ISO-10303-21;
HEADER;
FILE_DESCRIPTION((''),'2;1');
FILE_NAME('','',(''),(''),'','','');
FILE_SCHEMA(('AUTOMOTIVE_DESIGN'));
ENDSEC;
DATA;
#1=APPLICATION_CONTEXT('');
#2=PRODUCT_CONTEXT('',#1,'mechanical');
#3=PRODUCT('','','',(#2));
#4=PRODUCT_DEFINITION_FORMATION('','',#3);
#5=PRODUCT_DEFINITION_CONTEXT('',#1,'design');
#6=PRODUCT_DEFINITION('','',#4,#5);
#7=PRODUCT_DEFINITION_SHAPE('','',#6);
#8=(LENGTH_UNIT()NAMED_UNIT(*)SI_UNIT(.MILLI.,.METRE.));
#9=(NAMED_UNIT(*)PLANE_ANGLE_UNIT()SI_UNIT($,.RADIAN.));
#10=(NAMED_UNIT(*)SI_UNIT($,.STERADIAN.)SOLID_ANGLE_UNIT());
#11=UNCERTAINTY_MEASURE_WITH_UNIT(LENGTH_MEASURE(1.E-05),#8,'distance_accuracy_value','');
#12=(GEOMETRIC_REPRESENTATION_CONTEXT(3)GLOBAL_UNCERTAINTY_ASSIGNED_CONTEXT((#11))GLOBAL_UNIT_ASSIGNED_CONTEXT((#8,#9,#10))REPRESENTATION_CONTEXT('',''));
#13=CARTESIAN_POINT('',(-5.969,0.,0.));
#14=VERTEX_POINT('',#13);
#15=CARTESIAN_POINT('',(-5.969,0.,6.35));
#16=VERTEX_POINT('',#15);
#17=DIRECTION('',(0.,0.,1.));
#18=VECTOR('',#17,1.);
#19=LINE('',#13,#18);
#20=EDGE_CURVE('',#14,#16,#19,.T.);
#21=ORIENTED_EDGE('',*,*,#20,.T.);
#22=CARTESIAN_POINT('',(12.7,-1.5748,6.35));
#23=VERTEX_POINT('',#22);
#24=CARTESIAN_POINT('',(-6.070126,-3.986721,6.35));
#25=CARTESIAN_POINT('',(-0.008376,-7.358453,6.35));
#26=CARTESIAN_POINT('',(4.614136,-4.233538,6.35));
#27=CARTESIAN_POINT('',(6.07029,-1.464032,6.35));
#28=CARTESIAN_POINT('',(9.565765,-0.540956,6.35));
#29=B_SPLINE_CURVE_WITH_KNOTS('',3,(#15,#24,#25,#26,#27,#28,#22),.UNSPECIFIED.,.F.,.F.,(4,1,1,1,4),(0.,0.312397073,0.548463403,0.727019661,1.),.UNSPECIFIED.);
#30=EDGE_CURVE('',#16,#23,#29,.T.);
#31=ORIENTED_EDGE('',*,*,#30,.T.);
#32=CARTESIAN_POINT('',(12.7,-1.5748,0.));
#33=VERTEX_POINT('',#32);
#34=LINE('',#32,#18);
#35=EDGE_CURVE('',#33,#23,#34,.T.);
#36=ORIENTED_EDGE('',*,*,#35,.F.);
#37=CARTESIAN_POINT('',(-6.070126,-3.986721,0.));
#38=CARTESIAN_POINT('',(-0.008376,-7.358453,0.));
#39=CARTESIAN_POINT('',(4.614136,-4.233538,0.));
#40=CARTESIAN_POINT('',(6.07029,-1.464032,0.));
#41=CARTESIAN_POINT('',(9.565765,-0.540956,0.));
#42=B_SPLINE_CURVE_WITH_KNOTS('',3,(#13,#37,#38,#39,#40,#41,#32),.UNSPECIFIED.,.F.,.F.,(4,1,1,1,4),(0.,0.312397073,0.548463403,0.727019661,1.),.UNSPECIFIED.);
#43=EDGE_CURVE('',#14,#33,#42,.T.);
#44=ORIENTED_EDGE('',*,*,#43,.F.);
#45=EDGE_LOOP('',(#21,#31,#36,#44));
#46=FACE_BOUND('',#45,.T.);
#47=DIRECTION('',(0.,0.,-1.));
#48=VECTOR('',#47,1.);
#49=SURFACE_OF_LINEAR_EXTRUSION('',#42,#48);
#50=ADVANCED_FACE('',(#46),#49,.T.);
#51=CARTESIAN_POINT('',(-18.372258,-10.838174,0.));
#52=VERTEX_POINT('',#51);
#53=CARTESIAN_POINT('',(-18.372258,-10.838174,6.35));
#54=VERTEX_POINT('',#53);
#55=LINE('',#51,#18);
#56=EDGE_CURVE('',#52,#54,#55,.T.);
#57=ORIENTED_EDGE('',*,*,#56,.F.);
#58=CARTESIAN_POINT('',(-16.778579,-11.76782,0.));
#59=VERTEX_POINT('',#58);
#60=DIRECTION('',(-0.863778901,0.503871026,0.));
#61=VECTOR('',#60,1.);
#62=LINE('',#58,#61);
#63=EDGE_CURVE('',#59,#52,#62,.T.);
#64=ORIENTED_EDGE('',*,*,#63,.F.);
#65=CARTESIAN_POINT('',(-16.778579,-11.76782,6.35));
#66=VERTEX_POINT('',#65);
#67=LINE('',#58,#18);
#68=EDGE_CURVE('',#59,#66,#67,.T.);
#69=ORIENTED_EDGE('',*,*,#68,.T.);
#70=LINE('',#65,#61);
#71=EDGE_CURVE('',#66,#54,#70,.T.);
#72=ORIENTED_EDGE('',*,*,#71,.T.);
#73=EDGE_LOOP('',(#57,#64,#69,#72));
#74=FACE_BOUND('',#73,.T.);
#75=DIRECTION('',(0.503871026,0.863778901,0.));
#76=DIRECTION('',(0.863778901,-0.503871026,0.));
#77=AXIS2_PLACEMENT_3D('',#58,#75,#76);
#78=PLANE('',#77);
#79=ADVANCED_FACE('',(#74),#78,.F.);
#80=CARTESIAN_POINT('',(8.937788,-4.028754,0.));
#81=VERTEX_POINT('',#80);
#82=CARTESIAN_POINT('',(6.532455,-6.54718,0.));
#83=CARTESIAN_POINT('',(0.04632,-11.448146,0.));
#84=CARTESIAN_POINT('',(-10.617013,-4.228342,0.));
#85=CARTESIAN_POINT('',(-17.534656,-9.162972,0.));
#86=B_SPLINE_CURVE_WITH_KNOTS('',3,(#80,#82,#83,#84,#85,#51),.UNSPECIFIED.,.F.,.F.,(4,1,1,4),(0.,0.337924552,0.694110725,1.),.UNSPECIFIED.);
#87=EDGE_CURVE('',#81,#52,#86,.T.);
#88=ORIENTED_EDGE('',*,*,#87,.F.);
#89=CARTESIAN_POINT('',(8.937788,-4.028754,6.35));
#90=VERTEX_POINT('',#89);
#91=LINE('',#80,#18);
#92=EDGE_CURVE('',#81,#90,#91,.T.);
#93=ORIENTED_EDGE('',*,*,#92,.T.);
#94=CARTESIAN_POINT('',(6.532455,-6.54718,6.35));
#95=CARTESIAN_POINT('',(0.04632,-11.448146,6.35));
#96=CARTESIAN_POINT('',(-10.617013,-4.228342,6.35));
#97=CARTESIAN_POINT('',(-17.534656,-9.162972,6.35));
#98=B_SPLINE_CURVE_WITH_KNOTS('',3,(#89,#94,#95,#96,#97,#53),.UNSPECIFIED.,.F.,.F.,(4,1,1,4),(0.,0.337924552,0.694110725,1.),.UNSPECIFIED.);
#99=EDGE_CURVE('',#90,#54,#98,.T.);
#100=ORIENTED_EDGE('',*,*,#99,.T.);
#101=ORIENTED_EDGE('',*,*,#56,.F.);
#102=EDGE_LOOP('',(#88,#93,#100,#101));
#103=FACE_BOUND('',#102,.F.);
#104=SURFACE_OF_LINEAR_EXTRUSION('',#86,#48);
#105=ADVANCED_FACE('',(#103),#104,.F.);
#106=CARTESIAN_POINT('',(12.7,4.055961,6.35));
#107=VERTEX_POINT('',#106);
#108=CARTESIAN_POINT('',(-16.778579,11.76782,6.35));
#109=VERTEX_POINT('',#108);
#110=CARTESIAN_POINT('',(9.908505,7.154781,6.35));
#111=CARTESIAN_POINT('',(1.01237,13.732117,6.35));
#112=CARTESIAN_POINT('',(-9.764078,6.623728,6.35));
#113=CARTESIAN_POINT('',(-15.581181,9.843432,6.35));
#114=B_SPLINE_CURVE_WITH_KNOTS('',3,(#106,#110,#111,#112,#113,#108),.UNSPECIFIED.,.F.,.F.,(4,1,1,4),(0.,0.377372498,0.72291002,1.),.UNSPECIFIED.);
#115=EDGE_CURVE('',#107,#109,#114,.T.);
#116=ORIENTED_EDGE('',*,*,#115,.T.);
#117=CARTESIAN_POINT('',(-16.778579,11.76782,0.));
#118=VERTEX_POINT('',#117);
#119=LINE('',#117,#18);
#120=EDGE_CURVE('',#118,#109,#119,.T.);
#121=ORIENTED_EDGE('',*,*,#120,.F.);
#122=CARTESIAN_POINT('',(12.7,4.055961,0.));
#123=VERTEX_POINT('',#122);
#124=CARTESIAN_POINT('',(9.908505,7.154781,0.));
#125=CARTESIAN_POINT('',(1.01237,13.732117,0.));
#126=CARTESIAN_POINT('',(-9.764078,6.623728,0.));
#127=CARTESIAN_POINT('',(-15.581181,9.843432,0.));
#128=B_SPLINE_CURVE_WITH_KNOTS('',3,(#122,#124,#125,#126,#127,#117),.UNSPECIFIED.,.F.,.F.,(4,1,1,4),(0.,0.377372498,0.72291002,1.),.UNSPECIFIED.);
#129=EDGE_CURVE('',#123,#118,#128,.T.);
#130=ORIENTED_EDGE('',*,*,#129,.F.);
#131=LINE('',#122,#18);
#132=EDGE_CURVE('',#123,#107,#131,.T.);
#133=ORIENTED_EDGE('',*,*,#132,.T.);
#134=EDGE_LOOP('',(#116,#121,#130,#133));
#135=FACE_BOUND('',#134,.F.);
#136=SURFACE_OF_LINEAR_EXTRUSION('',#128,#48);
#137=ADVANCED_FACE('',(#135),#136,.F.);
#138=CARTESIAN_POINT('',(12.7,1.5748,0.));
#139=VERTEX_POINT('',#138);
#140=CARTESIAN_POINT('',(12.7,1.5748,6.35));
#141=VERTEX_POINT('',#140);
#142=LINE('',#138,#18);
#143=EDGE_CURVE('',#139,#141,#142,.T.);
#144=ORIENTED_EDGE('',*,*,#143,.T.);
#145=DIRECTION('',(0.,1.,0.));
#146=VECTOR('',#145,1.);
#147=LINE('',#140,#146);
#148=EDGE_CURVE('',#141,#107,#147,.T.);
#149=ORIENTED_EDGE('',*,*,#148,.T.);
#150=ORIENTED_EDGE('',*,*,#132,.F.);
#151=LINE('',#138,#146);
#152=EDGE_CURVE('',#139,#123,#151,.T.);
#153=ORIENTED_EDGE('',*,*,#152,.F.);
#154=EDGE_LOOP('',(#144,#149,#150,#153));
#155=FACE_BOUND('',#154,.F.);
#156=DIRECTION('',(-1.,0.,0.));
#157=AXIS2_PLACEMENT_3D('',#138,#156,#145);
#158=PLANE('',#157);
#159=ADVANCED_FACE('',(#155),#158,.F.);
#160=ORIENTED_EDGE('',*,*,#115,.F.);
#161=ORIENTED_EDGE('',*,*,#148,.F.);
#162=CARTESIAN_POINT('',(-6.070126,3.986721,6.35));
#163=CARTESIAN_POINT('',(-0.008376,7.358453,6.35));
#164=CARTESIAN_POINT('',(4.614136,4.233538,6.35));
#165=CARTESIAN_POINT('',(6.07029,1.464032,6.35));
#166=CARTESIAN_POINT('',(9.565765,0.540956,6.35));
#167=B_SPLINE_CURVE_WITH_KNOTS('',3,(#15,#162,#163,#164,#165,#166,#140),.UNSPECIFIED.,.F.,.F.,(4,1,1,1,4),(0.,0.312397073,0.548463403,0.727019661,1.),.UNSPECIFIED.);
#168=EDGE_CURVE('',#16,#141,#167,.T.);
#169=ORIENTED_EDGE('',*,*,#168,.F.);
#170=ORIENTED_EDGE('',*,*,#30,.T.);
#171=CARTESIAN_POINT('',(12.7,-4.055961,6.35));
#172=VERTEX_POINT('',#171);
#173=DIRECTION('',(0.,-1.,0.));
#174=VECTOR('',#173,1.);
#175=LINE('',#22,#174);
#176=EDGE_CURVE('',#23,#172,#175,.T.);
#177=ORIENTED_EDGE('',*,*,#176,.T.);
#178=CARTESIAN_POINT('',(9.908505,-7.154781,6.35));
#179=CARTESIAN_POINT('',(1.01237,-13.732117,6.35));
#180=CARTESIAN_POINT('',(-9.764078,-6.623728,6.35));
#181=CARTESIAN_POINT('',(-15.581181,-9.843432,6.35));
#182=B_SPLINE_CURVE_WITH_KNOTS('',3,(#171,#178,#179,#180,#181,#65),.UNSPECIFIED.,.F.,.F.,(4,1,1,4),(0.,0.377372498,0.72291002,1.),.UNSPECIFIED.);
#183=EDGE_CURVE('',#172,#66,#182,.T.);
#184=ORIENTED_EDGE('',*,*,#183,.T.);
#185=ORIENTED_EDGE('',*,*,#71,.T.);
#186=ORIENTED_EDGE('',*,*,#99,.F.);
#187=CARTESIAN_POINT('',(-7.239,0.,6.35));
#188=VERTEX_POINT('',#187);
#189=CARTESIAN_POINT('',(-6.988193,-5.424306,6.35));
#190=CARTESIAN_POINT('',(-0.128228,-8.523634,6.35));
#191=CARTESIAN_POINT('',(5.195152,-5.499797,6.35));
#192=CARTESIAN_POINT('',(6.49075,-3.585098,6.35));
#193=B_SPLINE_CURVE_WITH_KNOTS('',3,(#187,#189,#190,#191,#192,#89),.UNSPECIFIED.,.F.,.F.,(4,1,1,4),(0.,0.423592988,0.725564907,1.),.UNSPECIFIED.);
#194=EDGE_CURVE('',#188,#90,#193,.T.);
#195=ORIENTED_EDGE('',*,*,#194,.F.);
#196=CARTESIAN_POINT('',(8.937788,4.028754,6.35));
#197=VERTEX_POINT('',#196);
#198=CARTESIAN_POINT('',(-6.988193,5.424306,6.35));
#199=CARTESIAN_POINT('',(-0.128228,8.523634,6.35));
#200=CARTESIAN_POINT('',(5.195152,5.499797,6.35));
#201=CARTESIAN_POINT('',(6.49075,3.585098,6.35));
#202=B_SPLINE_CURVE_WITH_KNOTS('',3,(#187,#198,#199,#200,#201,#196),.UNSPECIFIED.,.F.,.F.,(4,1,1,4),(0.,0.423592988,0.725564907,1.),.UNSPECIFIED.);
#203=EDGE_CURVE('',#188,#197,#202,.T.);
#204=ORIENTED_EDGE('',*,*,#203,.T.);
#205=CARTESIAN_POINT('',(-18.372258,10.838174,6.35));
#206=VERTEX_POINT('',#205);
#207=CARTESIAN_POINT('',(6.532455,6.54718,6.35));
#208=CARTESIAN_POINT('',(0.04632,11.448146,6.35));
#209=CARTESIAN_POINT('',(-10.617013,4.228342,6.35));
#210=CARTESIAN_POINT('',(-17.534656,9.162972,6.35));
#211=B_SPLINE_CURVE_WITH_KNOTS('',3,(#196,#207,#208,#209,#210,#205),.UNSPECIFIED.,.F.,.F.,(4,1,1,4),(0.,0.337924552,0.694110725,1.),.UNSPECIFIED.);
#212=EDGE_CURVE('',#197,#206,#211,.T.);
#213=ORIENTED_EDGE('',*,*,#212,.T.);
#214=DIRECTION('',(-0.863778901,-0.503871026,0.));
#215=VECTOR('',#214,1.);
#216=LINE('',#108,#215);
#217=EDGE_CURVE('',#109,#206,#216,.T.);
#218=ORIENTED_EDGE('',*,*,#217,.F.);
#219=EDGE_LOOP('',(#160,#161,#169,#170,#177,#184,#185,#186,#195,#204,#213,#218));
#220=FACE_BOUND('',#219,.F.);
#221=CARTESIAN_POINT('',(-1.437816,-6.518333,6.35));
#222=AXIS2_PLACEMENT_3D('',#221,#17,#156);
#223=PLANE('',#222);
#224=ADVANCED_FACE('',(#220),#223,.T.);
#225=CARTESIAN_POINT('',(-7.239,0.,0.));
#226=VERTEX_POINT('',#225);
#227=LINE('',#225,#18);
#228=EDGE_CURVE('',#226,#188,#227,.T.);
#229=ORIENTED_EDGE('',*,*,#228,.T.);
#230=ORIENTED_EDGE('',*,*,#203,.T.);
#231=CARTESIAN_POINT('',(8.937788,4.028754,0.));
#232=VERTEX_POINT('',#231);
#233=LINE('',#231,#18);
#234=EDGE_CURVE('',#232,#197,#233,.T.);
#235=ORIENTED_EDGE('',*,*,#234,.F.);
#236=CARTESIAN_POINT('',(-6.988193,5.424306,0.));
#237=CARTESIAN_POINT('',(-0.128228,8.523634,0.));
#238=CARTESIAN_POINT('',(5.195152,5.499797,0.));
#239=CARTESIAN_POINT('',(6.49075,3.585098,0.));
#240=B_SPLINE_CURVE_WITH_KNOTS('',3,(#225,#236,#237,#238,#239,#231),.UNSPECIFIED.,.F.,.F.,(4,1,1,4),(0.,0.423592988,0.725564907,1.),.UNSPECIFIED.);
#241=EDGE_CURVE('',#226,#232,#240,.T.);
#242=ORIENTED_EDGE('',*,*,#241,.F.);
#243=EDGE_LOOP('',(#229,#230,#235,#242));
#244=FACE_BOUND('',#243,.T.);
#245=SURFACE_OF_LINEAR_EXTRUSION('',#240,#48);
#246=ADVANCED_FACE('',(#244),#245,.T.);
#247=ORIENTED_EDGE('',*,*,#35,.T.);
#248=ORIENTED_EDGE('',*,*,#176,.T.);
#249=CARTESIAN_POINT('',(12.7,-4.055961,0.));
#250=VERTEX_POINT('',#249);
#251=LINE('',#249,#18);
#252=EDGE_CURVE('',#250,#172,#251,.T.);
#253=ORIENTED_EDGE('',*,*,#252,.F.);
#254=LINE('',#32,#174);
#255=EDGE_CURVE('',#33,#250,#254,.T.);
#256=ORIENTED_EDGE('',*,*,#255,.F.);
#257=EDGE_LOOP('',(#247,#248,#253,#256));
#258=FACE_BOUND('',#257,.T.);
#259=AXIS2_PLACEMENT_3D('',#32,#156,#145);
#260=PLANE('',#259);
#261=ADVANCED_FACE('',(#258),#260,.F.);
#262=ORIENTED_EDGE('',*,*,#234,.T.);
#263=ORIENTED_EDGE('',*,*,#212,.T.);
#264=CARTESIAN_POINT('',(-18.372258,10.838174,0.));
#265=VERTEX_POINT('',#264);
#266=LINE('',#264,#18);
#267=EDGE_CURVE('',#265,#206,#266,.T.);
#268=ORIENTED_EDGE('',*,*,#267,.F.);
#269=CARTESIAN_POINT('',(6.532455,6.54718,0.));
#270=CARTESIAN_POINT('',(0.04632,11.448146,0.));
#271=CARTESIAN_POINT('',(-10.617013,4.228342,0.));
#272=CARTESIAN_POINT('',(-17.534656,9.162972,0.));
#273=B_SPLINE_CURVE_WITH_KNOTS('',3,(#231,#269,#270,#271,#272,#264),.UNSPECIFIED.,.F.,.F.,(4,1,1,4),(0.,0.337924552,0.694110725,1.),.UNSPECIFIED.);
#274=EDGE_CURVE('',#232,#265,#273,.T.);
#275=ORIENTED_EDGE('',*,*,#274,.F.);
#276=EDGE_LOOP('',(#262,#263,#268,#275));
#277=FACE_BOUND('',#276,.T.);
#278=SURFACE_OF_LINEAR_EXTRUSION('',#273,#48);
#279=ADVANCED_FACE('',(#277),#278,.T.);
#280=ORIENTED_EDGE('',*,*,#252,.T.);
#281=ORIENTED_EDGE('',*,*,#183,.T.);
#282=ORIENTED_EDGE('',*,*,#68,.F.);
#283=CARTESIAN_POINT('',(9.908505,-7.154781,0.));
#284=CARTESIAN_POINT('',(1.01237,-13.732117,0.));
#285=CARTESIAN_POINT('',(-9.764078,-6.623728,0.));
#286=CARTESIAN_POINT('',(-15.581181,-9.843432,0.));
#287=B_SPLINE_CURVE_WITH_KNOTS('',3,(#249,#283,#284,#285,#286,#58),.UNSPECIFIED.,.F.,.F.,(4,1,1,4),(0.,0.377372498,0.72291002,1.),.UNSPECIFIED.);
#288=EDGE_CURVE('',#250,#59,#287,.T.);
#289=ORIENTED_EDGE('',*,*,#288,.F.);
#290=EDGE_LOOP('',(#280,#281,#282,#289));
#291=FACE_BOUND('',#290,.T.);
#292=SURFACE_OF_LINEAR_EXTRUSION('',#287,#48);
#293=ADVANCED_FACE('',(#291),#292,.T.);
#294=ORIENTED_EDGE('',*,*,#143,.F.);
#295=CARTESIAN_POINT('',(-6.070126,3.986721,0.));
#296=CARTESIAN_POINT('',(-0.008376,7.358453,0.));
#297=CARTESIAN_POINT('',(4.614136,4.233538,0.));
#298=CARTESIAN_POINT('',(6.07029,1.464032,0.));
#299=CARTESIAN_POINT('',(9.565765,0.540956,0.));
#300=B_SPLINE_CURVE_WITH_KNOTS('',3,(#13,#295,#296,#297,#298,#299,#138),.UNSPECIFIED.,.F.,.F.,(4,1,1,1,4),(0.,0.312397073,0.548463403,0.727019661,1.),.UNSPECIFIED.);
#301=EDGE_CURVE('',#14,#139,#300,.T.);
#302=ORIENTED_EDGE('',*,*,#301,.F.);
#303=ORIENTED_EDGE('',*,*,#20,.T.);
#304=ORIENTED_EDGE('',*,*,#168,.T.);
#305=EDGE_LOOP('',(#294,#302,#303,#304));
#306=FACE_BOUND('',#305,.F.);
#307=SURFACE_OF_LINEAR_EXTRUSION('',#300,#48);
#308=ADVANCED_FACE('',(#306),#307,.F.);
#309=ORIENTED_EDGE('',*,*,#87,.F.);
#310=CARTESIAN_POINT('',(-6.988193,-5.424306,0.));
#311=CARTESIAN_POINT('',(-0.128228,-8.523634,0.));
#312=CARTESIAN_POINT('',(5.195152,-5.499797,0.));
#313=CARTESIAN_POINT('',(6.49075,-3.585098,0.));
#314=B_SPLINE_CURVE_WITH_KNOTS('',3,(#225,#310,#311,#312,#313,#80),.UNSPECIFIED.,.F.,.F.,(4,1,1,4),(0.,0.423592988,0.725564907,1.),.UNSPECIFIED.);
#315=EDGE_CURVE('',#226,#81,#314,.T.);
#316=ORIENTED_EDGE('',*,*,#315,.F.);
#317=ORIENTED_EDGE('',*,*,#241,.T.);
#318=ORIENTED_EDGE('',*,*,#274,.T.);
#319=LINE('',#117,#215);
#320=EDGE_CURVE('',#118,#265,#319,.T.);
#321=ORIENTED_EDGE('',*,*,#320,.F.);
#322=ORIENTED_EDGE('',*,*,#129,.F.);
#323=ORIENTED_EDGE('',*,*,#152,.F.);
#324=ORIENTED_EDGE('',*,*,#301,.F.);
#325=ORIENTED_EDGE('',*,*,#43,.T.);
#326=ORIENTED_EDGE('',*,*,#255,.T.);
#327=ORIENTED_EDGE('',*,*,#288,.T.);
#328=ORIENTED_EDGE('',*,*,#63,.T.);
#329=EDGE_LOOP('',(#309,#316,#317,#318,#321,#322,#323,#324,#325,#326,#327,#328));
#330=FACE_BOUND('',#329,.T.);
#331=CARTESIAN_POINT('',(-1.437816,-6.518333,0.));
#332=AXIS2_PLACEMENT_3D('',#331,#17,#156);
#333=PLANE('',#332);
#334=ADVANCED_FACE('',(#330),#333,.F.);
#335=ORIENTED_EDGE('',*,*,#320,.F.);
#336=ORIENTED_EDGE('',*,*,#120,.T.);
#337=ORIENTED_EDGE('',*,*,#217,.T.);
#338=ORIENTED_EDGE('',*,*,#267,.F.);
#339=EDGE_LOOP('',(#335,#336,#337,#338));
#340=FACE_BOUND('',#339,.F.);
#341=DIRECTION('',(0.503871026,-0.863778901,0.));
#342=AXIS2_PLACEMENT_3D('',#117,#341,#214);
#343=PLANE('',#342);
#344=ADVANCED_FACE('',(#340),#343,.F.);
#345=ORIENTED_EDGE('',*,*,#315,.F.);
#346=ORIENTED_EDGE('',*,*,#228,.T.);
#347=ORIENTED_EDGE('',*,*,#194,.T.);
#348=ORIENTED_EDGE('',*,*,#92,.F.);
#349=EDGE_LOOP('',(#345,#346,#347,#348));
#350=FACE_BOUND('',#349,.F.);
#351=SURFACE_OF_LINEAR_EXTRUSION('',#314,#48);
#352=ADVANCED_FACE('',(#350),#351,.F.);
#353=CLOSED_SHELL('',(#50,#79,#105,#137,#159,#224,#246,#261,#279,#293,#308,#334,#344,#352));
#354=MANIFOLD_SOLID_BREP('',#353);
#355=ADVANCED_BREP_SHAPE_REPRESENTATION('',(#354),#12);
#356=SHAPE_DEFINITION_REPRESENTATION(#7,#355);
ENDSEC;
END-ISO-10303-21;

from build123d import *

# Parameters (mm, degrees)
F1_DEPTH = 6.35


with BuildPart() as f1:
    # F0 (on Top) → F1 (new body)
    with BuildSketch(Plane.XY):
        with BuildLine():
            Line((-7.239, 0), (-5.969, 0))
            add(Edge.make_bspline(
                [(-5.969, 0), (-6.0701264503, 3.9867206148), (-0.0083761915, 7.3584527752), (4.614136051, 4.2335375173), (6.0702898283, 1.464032411), (9.5657648794, 0.540955909), (12.7, 1.5748)],
                knots=[0, 0, 0, 0, 0.3123970734, 0.5484634034, 0.7270196615, 1, 1, 1, 1], degree=3))
            Line((12.7, 1.5748), (12.7, 4.0559605695))
            add(Edge.make_bspline(
                [(12.7, 4.0559605695), (9.9085047841, 7.1547813714), (1.0123703559, 13.7321167881), (-9.7640778606, 6.6237279483), (-15.5811811273, 9.8434320102), (-16.7785789818, 11.7678204551)],
                knots=[0, 0, 0, 0, 0.3773724979, 0.7229100201, 1, 1, 1, 1], degree=3))
            Line((-16.7785789818, 11.7678204551), (-18.3722581714, 10.8381742612))
            add(Edge.make_bspline(
                [(8.9377881959, 4.0287543088), (6.5324549964, 6.5471798375), (0.0463203213, 11.4481459639), (-10.6170131969, 4.2283415052), (-17.5346564086, 9.162971663), (-18.3722581714, 10.8381742612)],
                knots=[0, 0, 0, 0, 0.3379245524, 0.6941107255, 1, 1, 1, 1], degree=3))
            add(Edge.make_bspline(
                [(-7.239, 0), (-6.9881934982, 5.4243064071), (-0.1282277524, 8.5236338355), (5.195152461, 5.4997970316), (6.4907502383, 3.5850983113), (8.9377881959, 4.0287543088)],
                knots=[0, 0, 0, 0, 0.4235929884, 0.725564907, 1, 1, 1, 1], degree=3))
        make_face()
    extrude(amount=F1_DEPTH)

    # F2: F1 across plane


with BuildPart() as f1_1:
    add(f1.part)
    add(f1.part.mirror(Plane.XZ))


solid = f1_1.part
